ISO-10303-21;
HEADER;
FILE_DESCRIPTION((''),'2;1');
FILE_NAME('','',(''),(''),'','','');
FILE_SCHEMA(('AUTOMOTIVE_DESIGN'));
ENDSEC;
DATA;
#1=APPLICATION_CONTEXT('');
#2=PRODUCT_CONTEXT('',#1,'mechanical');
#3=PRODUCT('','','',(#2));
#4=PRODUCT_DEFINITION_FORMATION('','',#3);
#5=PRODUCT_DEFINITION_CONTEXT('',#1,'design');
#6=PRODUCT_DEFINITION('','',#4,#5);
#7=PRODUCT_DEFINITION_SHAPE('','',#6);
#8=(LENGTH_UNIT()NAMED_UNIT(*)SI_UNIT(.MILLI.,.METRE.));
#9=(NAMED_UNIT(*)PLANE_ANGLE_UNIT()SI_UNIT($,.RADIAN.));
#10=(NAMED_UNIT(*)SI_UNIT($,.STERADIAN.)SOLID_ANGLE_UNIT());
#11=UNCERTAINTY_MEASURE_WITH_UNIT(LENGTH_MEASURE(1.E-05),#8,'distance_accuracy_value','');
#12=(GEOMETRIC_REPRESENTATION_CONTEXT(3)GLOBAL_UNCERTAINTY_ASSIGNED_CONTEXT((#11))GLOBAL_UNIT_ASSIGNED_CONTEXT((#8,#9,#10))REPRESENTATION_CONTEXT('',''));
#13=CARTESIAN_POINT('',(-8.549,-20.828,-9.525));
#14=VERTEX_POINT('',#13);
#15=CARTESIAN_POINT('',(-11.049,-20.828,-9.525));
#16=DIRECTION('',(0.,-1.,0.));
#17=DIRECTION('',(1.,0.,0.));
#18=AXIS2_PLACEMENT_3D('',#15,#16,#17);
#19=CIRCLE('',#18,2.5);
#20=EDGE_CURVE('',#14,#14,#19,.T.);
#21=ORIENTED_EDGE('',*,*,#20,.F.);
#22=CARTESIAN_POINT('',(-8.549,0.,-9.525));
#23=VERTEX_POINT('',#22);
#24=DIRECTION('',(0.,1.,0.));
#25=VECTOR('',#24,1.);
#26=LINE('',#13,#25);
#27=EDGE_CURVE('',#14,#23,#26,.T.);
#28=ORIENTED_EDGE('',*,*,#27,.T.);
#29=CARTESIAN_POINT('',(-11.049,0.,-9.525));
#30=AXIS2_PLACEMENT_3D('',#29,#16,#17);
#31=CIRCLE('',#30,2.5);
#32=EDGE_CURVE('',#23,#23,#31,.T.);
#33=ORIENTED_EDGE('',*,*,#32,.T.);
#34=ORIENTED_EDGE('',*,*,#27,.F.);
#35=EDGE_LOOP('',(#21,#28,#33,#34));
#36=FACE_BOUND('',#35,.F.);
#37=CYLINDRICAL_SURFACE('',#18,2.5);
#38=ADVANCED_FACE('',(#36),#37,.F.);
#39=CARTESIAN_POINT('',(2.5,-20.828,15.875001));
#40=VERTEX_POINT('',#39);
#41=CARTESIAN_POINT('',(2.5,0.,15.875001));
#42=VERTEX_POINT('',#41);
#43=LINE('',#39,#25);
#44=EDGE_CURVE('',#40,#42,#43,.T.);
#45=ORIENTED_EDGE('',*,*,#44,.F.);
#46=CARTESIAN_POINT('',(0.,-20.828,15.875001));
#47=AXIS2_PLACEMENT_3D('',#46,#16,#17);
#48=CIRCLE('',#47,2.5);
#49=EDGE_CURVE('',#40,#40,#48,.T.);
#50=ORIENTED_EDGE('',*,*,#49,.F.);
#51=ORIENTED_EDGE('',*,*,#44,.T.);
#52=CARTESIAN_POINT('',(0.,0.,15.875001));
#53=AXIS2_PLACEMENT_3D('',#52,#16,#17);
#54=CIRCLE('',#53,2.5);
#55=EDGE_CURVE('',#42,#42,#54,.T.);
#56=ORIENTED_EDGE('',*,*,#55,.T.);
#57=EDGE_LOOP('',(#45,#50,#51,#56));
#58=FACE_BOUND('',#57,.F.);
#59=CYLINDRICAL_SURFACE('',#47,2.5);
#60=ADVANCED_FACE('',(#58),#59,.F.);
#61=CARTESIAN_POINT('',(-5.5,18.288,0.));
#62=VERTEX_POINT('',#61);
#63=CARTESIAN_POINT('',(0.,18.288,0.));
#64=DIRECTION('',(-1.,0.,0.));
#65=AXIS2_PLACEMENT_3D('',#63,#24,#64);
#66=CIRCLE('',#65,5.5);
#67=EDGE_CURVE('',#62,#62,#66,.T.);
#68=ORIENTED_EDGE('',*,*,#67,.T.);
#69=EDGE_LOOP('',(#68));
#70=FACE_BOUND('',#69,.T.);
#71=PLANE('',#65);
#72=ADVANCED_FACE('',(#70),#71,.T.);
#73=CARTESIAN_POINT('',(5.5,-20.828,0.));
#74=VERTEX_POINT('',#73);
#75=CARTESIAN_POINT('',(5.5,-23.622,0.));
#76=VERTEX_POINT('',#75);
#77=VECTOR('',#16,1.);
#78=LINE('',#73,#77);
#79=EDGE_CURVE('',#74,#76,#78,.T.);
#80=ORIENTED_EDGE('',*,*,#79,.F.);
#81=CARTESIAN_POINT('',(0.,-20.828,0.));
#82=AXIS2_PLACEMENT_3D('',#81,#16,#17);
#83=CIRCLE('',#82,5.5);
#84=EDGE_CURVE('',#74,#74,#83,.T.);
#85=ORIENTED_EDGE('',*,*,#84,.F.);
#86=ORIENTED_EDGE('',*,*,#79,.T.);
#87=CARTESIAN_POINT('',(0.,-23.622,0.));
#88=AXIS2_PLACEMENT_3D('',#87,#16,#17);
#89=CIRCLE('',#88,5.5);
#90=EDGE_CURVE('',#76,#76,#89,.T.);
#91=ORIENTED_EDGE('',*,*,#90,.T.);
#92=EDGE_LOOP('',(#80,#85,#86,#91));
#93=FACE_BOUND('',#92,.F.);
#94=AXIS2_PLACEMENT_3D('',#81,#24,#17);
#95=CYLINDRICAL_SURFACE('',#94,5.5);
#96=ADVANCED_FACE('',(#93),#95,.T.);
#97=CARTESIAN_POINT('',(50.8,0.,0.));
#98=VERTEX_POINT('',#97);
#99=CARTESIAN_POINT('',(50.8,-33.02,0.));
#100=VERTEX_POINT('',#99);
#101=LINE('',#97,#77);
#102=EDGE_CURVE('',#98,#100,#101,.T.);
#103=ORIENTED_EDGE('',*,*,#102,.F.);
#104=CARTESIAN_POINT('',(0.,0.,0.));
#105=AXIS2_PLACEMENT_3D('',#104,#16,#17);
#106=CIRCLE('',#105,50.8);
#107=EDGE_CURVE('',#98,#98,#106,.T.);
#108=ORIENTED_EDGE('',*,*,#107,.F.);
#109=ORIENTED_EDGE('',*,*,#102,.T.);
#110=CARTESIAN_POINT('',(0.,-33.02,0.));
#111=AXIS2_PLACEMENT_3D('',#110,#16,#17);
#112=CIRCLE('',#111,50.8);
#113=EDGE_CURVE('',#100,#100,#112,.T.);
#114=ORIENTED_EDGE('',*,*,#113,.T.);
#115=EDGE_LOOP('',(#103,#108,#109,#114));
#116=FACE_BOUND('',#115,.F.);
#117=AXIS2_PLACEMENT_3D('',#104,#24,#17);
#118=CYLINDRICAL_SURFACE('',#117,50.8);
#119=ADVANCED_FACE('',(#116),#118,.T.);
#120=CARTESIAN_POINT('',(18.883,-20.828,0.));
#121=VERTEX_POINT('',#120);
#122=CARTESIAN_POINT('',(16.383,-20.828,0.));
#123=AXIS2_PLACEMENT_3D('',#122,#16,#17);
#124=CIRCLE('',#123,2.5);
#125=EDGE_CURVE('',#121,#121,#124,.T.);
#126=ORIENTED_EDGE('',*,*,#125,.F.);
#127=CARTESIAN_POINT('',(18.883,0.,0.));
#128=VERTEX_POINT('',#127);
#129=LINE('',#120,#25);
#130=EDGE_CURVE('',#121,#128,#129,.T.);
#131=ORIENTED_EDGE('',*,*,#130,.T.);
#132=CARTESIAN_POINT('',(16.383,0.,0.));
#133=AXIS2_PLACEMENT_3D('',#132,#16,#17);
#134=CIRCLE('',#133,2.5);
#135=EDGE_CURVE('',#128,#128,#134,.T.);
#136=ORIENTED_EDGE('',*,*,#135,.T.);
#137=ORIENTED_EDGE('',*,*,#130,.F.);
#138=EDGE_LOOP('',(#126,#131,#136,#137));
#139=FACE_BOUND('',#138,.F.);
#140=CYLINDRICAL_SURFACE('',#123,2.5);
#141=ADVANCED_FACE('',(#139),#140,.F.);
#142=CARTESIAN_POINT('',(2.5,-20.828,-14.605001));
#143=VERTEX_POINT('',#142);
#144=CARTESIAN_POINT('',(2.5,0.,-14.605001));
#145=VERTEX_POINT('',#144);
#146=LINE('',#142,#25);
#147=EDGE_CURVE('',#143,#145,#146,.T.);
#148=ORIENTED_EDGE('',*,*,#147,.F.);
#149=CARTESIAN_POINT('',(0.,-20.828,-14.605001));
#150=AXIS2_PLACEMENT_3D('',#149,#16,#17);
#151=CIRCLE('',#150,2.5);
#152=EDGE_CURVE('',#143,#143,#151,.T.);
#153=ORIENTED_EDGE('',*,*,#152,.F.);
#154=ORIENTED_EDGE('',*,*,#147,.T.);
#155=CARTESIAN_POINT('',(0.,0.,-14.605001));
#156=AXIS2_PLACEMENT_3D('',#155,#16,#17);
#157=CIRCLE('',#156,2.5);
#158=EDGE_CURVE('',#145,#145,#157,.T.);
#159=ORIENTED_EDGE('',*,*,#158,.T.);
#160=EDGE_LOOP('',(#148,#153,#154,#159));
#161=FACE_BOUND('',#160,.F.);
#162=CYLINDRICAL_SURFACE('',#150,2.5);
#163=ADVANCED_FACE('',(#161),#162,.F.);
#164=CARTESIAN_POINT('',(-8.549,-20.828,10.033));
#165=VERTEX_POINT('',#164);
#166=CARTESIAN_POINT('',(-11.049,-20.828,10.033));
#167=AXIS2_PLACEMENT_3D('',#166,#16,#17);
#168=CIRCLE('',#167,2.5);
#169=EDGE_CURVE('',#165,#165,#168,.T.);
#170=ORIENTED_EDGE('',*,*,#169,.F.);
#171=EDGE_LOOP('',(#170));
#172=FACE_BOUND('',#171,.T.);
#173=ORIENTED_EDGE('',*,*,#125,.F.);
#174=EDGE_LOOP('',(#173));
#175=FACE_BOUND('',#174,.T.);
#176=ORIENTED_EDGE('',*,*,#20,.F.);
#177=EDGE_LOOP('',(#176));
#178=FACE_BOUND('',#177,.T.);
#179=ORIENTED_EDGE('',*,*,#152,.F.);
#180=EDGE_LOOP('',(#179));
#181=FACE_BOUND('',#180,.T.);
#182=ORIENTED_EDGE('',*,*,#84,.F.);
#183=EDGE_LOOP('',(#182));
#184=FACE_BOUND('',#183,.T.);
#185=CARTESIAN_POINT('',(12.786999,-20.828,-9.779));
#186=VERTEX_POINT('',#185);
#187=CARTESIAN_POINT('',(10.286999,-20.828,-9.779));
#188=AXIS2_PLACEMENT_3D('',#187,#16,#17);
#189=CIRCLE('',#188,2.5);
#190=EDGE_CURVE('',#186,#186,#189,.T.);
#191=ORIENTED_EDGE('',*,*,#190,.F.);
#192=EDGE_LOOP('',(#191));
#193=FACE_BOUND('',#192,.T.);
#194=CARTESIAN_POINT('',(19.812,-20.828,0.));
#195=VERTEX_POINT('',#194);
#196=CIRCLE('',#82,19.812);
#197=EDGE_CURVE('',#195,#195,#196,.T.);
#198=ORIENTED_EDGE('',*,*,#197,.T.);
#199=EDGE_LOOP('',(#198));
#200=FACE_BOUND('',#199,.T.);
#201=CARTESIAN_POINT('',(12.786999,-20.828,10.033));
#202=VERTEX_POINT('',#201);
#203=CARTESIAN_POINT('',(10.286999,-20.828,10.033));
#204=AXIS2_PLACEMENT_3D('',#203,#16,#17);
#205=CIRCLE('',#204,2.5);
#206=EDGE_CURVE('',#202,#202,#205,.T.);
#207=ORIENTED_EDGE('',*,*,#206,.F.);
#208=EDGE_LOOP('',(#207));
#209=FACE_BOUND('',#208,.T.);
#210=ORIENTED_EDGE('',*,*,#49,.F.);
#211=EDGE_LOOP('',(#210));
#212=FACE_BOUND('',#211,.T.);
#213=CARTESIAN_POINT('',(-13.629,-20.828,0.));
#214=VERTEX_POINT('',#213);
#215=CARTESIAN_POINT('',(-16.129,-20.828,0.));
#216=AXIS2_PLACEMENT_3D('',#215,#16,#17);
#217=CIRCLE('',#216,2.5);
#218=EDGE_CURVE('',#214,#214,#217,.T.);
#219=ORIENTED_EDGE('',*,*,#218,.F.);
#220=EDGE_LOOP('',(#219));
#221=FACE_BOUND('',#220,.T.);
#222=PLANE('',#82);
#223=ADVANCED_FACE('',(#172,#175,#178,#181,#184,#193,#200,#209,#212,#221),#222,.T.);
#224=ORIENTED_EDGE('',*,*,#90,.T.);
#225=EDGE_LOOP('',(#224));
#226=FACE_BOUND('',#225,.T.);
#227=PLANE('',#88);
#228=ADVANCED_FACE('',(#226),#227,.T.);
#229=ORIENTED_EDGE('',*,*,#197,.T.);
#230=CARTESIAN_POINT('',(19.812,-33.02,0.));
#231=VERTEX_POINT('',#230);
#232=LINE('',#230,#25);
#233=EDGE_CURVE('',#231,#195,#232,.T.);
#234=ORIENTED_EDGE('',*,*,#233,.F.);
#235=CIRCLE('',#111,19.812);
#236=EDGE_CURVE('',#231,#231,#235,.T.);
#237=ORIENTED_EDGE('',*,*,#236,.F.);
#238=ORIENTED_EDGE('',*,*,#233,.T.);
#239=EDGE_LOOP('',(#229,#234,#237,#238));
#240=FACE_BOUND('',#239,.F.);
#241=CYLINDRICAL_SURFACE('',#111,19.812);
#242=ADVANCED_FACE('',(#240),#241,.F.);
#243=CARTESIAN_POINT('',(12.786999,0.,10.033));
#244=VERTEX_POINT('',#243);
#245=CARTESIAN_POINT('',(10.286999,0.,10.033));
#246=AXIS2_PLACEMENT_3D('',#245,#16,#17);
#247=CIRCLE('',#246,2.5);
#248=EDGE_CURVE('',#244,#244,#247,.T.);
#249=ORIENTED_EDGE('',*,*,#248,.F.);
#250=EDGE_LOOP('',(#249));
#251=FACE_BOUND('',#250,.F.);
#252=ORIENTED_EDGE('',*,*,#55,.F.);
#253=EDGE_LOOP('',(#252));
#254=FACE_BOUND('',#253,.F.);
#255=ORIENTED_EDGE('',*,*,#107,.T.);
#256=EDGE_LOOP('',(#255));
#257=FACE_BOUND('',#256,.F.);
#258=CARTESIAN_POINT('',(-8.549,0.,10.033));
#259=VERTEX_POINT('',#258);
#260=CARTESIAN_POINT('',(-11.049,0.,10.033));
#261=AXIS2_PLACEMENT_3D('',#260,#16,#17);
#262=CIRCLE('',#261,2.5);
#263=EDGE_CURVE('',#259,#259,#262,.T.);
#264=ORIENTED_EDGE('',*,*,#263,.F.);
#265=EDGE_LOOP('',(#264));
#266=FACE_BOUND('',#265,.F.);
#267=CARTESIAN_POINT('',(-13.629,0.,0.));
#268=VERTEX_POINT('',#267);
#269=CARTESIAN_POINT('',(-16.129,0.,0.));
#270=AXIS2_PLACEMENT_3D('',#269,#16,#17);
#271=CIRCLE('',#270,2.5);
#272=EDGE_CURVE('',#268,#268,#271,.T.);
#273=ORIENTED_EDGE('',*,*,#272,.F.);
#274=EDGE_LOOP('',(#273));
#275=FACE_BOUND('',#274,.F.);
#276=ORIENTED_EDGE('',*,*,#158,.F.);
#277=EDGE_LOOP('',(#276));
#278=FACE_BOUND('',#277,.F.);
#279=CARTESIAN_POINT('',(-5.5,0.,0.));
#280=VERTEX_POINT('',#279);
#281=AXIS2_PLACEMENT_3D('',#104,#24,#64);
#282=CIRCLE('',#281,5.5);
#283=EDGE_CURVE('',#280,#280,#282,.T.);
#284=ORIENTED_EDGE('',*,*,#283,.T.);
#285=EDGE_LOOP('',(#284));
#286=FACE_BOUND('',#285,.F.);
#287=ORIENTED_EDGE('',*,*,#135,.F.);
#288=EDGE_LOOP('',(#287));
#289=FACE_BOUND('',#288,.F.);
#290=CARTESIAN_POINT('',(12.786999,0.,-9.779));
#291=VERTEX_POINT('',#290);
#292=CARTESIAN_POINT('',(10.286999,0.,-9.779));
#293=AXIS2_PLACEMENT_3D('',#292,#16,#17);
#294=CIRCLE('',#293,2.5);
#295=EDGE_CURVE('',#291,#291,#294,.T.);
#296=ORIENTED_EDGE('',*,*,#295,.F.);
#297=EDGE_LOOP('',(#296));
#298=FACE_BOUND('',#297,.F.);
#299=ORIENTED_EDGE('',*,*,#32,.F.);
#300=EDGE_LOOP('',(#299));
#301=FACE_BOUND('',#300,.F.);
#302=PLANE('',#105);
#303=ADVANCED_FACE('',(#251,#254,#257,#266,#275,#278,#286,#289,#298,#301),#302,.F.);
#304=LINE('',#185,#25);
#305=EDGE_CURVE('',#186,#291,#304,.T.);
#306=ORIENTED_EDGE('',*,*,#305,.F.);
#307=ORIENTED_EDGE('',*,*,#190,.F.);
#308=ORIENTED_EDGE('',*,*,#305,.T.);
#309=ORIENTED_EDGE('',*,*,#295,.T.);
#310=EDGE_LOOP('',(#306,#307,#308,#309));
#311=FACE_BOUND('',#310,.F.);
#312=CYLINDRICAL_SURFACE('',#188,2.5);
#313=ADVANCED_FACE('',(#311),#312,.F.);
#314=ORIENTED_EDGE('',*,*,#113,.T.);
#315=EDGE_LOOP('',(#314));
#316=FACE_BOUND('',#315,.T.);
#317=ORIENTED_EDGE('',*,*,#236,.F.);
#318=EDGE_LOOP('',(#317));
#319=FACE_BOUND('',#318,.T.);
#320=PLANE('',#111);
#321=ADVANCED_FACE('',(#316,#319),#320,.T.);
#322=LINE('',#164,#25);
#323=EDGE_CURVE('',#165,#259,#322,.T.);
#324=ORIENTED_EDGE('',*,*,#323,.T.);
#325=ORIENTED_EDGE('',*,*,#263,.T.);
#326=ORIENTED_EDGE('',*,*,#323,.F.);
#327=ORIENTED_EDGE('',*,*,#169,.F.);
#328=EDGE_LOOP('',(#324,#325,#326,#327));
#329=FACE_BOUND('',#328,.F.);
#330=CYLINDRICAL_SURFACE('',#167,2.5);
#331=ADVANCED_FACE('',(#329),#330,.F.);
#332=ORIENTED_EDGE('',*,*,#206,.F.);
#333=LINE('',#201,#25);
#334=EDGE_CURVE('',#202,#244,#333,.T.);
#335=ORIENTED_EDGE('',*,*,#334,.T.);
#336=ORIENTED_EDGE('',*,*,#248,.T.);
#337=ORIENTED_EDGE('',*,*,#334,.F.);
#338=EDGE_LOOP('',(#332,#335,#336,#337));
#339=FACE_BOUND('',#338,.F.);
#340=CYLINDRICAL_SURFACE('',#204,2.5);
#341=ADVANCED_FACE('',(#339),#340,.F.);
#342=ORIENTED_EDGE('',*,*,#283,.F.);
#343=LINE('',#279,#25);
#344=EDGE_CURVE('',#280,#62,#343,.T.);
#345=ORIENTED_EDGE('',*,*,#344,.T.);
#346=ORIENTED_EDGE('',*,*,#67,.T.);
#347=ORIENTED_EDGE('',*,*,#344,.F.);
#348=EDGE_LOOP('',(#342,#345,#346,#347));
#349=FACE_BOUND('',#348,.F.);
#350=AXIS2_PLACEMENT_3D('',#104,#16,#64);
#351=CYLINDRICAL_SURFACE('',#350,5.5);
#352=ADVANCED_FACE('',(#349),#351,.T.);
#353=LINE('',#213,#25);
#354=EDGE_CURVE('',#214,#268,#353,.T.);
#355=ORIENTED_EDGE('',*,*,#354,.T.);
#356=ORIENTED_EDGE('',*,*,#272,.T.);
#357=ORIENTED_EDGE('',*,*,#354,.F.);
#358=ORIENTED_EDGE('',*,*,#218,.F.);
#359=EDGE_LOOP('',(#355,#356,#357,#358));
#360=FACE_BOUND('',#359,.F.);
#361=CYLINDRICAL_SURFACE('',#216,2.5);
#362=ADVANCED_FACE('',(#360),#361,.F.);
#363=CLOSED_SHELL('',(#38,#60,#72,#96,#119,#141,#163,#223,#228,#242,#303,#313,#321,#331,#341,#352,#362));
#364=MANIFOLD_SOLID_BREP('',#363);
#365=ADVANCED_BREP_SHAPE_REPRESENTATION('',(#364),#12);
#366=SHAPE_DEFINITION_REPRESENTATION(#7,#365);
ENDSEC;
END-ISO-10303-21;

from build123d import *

# Parameters (mm, degrees)
F0_R     = 50.8
F1_DEPTH = 33.02
F2_R     = 19.812
F3_DEPTH = 12.192
F4_R     = 5.5
F5_DEPTH = 2.794
F6_R     = 2.5
F7_DEPTH = 25.4
F8_R     = 5.5
F9_DEPTH = 18.288


with BuildPart() as f1:
    # F0 (on Front) → F1 (new body)
    with BuildSketch(Plane.XZ):
        Circle(F0_R)
    extrude(amount=F1_DEPTH)

    # F2 (on face) → F3 (cut)
    with BuildSketch(Plane.XZ.offset(33.02)):
        Circle(F2_R)
    extrude(amount=-F3_DEPTH, mode=Mode.SUBTRACT)

    # F4 (on face) → F5 (join)
    with BuildSketch(Plane.XZ.offset(20.828)):
        Circle(F4_R)
    extrude(amount=F5_DEPTH)

    # F6 (on face) → F7 (cut)
    with BuildSketch(Plane.XZ.offset(20.828)):
        with Locations((0, 15.8750005066)):
            Circle(F6_R)
        with Locations((-11.048999615, 10.0330002606)):
            Circle(F6_R)
        with Locations((-16.1290001124, 0)):
            Circle(F6_R)
        with Locations((-11.048999615, -9.5250001177)):
            Circle(F6_R)
        with Locations((0, -14.6050006151)):
            Circle(F6_R)
        with Locations((10.286998935, -9.7789997235)):
            Circle(F6_R)
        with Locations((16.3829997182, 0)):
            Circle(F6_R)
        with Locations((10.286998935, 10.0330002606)):
            Circle(F6_R)
    extrude(amount=-F7_DEPTH, mode=Mode.SUBTRACT)

    # F8 (on face) → F9 (join)
    with BuildSketch(Plane(origin=(0, 0, 0), x_dir=(-1, 0, 0), z_dir=(0, 1, 0))):
        Circle(F8_R)
    extrude(amount=F9_DEPTH)


solid = f1.part
